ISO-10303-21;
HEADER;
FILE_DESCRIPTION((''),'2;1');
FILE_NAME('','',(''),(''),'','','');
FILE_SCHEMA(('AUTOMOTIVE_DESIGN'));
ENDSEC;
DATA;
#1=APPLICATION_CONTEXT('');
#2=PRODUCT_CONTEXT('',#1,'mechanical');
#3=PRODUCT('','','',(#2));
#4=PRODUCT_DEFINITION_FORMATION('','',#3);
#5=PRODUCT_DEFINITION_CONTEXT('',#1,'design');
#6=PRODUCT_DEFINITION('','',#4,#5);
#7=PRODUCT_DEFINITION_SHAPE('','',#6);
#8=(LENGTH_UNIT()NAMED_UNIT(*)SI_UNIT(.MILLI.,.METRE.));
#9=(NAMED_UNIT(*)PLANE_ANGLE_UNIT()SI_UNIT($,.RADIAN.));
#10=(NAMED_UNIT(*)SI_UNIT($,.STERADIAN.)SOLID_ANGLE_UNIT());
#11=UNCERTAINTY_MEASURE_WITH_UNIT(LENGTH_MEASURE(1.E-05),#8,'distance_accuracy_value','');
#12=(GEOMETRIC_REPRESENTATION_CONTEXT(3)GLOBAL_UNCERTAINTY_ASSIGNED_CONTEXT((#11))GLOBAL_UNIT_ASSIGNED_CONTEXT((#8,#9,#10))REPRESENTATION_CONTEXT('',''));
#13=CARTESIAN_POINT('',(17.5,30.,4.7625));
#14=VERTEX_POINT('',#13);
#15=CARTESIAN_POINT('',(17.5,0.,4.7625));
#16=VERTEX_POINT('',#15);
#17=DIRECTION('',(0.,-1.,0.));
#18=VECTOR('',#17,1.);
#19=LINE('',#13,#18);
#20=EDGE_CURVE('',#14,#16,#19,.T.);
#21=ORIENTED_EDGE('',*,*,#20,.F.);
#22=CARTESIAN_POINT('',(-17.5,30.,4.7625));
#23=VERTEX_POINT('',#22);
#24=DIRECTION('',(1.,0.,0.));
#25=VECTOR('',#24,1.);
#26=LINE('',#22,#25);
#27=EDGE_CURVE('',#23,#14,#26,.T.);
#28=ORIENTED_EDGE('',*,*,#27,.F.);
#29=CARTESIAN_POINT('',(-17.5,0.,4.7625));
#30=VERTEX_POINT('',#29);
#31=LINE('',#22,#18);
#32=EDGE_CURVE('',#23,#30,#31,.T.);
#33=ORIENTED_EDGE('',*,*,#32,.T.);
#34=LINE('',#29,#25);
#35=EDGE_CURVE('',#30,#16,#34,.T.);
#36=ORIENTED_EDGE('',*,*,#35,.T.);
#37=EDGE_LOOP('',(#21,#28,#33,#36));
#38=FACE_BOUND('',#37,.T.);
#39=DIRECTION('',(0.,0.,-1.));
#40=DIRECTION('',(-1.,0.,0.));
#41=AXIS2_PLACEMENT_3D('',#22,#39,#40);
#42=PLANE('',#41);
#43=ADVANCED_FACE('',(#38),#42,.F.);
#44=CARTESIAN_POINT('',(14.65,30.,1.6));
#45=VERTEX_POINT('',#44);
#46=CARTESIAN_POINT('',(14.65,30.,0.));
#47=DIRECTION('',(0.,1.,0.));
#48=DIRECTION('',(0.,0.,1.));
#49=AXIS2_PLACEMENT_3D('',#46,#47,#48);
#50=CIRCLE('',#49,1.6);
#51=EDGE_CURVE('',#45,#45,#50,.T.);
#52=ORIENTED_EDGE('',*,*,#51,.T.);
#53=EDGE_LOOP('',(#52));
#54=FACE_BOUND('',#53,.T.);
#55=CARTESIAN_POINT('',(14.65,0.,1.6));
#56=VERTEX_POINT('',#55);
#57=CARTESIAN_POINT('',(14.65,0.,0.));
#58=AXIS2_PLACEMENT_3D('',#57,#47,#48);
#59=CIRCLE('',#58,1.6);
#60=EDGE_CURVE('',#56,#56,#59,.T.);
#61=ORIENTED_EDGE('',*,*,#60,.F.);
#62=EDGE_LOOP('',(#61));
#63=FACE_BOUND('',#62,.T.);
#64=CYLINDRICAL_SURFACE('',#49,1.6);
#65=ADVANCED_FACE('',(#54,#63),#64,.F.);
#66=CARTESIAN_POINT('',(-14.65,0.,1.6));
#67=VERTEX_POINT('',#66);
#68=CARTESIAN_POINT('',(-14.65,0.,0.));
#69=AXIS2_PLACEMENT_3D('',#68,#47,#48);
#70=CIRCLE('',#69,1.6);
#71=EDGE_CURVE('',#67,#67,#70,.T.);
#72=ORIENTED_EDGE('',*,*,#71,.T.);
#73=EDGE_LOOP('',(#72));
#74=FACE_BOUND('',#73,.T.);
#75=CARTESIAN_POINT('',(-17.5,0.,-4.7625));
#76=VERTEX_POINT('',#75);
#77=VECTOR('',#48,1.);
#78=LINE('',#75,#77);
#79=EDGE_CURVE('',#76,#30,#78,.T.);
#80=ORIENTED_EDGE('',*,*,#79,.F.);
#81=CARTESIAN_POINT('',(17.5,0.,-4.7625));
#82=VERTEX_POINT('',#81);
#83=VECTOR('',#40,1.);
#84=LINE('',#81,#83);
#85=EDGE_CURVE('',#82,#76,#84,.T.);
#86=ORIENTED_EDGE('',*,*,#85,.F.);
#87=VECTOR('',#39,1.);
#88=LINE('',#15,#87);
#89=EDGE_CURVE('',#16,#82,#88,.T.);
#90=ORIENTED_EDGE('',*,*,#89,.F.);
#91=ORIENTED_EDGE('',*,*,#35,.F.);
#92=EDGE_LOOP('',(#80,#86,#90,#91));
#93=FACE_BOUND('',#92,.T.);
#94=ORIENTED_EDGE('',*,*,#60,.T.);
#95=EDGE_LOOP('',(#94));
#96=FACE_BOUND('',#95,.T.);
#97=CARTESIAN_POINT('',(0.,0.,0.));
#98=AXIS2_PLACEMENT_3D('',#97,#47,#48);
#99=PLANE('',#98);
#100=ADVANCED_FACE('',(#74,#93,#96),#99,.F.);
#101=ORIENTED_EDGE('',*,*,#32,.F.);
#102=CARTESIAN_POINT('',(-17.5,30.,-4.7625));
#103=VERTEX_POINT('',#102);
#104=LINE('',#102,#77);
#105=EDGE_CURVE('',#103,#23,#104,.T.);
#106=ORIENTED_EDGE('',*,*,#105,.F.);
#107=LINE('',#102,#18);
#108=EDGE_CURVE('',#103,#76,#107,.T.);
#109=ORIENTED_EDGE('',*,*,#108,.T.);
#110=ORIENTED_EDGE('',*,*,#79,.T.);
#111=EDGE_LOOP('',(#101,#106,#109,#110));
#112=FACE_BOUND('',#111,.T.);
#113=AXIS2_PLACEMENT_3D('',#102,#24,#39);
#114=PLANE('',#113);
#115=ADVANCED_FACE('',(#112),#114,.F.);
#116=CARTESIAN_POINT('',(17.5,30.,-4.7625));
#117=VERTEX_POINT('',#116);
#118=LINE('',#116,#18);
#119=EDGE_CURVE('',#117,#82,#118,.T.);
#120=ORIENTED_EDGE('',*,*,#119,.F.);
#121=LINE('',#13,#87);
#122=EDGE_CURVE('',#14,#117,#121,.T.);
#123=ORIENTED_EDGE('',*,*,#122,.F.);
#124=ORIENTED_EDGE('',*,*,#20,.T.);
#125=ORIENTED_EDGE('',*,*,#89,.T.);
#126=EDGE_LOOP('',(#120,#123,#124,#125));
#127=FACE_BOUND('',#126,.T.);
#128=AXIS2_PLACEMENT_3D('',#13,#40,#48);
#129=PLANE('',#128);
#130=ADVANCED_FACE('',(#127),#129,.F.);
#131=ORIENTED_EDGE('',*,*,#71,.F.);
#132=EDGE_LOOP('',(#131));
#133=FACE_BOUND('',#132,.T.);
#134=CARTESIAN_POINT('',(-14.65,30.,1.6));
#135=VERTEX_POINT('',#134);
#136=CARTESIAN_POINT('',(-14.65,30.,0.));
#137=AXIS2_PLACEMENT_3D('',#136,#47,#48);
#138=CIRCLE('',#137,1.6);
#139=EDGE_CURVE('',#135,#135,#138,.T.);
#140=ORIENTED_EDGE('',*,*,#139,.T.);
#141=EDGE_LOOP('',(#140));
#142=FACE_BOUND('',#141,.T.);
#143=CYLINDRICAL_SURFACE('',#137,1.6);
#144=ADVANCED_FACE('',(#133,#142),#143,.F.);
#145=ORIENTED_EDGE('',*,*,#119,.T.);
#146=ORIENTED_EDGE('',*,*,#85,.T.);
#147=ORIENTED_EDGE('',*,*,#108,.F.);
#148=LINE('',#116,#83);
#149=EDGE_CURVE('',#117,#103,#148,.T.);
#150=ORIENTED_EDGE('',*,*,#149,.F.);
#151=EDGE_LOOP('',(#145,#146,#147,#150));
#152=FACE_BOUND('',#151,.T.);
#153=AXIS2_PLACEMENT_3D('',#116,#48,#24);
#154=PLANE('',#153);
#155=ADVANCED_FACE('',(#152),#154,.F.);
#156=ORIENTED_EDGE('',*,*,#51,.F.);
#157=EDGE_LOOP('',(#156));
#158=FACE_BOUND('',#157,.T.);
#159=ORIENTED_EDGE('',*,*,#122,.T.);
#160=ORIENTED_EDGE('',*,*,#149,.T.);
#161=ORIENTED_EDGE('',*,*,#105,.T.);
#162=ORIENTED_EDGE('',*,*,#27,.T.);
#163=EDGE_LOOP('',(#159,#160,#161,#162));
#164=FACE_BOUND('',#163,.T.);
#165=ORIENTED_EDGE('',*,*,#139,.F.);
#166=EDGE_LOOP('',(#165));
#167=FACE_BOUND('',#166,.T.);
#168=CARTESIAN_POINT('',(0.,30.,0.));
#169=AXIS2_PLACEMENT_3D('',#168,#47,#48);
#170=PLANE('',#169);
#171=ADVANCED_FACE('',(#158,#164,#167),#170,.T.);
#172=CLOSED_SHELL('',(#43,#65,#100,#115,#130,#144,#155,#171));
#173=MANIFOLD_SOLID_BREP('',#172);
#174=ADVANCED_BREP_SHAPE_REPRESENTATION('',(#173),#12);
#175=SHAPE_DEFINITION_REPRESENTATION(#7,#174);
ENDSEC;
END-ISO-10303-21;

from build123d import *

# Parameters (mm, degrees)
SKETCH1_W            = 35
SKETCH1_H            = 9.525
BOSS_EXTRUDE1_DEPTH  = 30
M3_CLEARANCE_HOLE1_D = 3.2


with BuildPart() as part:
    # Sketch1 → Boss-Extrude1 (new body)
    with BuildSketch(Plane(origin=(0, 0, 0), x_dir=(1, 0, 0), z_dir=(0, 1, 0))):
        Rectangle(SKETCH1_W, SKETCH1_H)
    extrude(amount=BOSS_EXTRUDE1_DEPTH)

    # M3 Clearance Hole1 (through all)
    with Locations(Plane(origin=(0, 30, 0), x_dir=(1, 0, 0), z_dir=(0, 1, 0))):
        with Locations((14.65, 0), (-14.65, 0)):
            Hole(M3_CLEARANCE_HOLE1_D / 2)


solid = part.part
